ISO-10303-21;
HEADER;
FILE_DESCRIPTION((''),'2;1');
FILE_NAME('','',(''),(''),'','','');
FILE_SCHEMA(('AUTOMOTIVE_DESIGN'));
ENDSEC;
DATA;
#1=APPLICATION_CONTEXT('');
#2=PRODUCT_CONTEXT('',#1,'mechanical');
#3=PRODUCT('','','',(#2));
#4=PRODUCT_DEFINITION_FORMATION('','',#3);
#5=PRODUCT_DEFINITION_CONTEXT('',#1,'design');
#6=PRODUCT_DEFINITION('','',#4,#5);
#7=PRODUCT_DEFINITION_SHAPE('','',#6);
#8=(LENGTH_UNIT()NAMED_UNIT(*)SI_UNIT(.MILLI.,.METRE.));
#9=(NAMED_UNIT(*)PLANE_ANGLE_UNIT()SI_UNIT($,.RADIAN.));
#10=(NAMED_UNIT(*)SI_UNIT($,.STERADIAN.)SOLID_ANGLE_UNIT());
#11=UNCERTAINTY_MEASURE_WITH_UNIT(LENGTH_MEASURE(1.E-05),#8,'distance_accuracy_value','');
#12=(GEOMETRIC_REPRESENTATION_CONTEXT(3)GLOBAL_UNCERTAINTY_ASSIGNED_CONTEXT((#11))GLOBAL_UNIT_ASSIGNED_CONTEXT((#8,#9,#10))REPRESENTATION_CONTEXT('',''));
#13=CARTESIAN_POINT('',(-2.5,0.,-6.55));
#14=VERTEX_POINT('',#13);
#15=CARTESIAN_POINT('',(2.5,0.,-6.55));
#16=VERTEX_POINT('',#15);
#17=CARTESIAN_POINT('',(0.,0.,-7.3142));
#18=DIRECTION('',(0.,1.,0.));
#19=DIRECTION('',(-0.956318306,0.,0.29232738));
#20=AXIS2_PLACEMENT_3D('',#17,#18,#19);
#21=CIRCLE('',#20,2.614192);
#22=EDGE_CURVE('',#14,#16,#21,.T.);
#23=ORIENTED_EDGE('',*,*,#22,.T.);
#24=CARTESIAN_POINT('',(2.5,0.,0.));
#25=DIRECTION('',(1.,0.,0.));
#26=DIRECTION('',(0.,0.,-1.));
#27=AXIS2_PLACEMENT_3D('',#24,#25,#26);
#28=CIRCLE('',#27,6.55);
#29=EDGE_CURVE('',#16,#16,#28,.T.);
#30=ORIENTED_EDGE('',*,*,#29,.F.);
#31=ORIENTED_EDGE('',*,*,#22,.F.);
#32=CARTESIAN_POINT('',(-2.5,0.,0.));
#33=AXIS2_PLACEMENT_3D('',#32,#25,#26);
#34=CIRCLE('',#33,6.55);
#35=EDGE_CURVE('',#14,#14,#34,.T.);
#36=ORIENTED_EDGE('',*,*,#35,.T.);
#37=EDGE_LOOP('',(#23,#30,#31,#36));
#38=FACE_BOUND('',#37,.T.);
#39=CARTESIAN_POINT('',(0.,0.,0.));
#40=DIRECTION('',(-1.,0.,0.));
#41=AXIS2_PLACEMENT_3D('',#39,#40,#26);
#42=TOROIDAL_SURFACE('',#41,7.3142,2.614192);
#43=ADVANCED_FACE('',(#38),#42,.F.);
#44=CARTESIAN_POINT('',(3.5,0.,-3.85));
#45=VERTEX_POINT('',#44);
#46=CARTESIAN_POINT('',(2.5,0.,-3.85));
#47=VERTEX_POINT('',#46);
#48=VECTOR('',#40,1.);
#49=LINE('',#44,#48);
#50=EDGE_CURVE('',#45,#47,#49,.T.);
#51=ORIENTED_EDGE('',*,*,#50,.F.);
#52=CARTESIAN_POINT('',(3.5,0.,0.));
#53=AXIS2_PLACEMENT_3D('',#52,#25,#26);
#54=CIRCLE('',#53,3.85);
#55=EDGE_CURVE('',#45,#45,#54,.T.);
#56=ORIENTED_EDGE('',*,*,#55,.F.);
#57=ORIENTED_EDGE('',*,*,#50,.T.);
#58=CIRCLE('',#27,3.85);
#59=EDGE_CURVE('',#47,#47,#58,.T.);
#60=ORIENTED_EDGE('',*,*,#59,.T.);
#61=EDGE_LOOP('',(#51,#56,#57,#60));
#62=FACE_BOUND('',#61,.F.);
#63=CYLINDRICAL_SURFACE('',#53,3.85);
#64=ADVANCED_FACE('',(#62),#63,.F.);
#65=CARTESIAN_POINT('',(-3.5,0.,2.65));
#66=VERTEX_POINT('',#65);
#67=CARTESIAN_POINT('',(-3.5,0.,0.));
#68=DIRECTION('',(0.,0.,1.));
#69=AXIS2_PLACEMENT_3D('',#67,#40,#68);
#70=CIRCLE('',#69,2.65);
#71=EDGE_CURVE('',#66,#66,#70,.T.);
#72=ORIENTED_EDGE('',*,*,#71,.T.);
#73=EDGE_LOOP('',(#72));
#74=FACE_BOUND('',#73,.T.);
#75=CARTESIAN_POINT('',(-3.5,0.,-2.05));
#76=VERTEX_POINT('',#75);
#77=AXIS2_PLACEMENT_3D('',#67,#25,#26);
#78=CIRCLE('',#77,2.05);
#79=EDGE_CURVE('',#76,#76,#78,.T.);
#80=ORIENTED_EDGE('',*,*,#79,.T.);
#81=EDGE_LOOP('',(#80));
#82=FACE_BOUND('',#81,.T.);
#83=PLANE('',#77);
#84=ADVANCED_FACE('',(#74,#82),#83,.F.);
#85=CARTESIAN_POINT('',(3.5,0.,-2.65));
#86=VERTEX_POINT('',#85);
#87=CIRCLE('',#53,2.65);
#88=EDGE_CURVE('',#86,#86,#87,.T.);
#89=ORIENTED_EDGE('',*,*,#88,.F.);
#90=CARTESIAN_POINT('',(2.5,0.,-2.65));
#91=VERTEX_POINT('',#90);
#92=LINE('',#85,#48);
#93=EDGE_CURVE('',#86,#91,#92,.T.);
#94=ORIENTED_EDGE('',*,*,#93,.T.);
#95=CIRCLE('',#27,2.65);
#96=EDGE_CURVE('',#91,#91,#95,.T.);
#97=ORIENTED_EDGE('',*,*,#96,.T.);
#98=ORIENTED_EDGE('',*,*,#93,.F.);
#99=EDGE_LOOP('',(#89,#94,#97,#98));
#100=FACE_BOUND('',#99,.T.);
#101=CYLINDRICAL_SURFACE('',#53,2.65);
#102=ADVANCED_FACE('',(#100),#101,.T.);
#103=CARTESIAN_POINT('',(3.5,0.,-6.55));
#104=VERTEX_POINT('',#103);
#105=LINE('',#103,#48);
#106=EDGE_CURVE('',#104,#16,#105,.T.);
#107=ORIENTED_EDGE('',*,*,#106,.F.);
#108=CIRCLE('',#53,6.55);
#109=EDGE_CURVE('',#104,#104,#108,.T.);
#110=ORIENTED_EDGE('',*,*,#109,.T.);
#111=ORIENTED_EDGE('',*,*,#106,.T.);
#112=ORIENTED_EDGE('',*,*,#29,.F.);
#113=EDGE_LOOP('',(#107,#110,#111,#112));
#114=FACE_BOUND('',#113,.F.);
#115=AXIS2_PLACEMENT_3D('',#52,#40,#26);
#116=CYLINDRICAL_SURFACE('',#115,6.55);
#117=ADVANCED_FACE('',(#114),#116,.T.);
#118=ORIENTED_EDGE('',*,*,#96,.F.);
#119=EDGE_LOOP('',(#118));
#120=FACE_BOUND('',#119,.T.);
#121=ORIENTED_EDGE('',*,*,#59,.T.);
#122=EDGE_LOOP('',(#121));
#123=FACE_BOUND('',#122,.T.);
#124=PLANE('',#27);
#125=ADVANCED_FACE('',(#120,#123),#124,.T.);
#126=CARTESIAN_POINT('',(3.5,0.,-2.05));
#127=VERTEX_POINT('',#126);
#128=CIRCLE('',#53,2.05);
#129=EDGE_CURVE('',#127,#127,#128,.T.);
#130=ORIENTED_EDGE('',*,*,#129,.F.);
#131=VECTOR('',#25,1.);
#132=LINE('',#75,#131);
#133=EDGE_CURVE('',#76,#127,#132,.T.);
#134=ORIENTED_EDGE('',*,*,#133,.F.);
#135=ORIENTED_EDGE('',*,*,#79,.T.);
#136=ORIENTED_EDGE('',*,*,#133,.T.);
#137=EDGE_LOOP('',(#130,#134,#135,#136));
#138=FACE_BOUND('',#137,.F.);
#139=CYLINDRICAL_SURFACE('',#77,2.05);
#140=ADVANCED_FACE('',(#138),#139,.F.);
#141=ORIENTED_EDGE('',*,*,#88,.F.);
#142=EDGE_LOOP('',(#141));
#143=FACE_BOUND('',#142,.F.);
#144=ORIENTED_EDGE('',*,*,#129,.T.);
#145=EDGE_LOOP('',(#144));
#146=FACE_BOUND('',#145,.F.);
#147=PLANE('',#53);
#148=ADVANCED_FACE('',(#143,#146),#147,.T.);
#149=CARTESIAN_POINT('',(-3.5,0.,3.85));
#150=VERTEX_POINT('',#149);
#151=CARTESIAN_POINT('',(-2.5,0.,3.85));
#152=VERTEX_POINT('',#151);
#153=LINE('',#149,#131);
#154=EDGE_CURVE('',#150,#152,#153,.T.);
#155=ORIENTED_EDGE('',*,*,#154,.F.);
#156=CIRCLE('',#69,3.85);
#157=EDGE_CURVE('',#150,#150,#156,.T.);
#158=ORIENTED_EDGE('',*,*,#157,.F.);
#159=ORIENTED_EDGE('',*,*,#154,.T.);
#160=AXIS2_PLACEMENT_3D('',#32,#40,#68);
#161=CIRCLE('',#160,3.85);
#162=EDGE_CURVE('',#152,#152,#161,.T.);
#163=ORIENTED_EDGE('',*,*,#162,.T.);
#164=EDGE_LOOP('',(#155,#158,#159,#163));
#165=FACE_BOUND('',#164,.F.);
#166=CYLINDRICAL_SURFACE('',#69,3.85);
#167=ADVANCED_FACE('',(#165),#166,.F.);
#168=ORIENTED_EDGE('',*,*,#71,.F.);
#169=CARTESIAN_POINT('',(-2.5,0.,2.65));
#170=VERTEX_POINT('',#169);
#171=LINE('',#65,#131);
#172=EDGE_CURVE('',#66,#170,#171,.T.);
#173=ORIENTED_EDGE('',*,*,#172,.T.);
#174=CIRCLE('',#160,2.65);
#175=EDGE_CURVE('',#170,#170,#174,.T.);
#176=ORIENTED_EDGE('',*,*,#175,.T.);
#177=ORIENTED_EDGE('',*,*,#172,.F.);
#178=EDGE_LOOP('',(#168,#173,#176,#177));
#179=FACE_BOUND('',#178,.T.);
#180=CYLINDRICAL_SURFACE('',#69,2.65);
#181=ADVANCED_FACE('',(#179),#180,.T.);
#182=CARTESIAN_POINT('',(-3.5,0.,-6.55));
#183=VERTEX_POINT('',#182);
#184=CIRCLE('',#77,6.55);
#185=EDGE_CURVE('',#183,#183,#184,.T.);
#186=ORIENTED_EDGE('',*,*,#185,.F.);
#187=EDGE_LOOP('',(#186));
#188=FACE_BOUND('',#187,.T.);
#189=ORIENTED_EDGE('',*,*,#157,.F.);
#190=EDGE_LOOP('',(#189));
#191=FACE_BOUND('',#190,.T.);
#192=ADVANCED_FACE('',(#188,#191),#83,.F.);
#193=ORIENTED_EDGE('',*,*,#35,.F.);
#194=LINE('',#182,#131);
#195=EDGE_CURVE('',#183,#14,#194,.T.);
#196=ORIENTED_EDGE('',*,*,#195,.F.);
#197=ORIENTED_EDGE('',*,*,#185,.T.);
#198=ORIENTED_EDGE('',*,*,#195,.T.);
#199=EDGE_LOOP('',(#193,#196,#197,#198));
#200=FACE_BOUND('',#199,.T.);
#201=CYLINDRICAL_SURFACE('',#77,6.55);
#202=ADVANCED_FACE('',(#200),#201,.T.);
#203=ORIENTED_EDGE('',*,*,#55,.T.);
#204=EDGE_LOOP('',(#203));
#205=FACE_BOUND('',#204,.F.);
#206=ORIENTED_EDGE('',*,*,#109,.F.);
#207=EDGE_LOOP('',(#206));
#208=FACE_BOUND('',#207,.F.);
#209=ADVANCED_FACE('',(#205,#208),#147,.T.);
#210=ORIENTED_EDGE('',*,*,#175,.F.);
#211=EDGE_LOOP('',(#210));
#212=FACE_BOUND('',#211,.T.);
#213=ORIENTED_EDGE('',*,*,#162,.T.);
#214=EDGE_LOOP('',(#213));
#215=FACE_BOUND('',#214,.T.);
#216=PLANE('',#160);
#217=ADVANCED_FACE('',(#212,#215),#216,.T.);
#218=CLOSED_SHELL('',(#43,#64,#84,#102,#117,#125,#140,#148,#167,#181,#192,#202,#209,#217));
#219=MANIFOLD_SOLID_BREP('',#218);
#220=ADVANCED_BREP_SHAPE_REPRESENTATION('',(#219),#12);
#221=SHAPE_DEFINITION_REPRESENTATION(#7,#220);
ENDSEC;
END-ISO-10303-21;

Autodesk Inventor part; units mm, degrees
ref_plane "YZ Plane" through (0, 0, 0) normal (1, 0, 0) x (0, 1, 0)
ref_plane "XZ Plane" through (0, 0, 0) normal (0, 1, 0) x (-1, 0, 0)
ref_plane "XY Plane" through (0, 0, 0) normal (0, 0, 1) x (1, 0, 0)
sketch "Sketch1" plane through (0, 0, 0) normal (0, 1, 0) x (-1, 0, 0)
  line L0 (0, 0) -> (0, -4.7) construction
  line L1 (3.5, 0) -> (-3.5, 0) construction
  line L2 (3.5, 0) -> (3.5, -6.55) construction
  line L3 (3.5, -6.55) -> (2.5, -6.55)
  line L4 (-3.5, -6.55) -> (-2.5, -6.55)
  arc A0 (2.5, -6.55) -> (-2.5, -6.55) centre (0, -7.3142) ccw
  line L5 (3.5, -2.05) -> (-3.5, -2.05)
  line L6 (3.5, -2.05) -> (3.5, -6.55)
  line L7 (-3.5, -2.05) -> (-3.5, -6.55)
  dimension "d0" = 4.7
  dimension "d1" = 7
  dimension "d2" = 3.5
  dimension "d3" = 6.55
  dimension "d4" = 1
  dimension "d5" = 1
  dimension "d6" = 2.05
revolve "Revolution1" add sketch "Sketch1" angle 360 about axis through (-3.5, 0, 0) along (1, 0, 0)
sketch "Sketch2" plane through (-3.5, 0, 0) normal (-1, 0, 0) x (0, 0, 1)
  circle A0 centre (0, 0) radius 6.55 projected
  circle A1 centre (0, 0) radius 2.05 projected
  circle A2 centre (0, 0) radius 2.65
  circle A3 centre (0, 0) radius 3.85
  point P0 (0, 0)
  dimension "d8" = 5.3
  dimension "d9" = 7.7
extrude "Extrusion1" cut sketch "Sketch2" against normal blind 1 contours A3
sketch "Sketch3" plane through (3.5, 0, 0) normal (1, 0, 0) x (0, 0, -1)
  circle A0 centre (0, 0) radius 3.85
  circle A1 centre (0, 0) radius 2.65
  dimension "d12" = 7.7
  dimension "d13" = 5.3
extrude "Extrusion2" cut sketch "Sketch3" against normal blind 1
equation "\"d2\" = 0.5 * d1"
properties part number "WheelYBottom"
